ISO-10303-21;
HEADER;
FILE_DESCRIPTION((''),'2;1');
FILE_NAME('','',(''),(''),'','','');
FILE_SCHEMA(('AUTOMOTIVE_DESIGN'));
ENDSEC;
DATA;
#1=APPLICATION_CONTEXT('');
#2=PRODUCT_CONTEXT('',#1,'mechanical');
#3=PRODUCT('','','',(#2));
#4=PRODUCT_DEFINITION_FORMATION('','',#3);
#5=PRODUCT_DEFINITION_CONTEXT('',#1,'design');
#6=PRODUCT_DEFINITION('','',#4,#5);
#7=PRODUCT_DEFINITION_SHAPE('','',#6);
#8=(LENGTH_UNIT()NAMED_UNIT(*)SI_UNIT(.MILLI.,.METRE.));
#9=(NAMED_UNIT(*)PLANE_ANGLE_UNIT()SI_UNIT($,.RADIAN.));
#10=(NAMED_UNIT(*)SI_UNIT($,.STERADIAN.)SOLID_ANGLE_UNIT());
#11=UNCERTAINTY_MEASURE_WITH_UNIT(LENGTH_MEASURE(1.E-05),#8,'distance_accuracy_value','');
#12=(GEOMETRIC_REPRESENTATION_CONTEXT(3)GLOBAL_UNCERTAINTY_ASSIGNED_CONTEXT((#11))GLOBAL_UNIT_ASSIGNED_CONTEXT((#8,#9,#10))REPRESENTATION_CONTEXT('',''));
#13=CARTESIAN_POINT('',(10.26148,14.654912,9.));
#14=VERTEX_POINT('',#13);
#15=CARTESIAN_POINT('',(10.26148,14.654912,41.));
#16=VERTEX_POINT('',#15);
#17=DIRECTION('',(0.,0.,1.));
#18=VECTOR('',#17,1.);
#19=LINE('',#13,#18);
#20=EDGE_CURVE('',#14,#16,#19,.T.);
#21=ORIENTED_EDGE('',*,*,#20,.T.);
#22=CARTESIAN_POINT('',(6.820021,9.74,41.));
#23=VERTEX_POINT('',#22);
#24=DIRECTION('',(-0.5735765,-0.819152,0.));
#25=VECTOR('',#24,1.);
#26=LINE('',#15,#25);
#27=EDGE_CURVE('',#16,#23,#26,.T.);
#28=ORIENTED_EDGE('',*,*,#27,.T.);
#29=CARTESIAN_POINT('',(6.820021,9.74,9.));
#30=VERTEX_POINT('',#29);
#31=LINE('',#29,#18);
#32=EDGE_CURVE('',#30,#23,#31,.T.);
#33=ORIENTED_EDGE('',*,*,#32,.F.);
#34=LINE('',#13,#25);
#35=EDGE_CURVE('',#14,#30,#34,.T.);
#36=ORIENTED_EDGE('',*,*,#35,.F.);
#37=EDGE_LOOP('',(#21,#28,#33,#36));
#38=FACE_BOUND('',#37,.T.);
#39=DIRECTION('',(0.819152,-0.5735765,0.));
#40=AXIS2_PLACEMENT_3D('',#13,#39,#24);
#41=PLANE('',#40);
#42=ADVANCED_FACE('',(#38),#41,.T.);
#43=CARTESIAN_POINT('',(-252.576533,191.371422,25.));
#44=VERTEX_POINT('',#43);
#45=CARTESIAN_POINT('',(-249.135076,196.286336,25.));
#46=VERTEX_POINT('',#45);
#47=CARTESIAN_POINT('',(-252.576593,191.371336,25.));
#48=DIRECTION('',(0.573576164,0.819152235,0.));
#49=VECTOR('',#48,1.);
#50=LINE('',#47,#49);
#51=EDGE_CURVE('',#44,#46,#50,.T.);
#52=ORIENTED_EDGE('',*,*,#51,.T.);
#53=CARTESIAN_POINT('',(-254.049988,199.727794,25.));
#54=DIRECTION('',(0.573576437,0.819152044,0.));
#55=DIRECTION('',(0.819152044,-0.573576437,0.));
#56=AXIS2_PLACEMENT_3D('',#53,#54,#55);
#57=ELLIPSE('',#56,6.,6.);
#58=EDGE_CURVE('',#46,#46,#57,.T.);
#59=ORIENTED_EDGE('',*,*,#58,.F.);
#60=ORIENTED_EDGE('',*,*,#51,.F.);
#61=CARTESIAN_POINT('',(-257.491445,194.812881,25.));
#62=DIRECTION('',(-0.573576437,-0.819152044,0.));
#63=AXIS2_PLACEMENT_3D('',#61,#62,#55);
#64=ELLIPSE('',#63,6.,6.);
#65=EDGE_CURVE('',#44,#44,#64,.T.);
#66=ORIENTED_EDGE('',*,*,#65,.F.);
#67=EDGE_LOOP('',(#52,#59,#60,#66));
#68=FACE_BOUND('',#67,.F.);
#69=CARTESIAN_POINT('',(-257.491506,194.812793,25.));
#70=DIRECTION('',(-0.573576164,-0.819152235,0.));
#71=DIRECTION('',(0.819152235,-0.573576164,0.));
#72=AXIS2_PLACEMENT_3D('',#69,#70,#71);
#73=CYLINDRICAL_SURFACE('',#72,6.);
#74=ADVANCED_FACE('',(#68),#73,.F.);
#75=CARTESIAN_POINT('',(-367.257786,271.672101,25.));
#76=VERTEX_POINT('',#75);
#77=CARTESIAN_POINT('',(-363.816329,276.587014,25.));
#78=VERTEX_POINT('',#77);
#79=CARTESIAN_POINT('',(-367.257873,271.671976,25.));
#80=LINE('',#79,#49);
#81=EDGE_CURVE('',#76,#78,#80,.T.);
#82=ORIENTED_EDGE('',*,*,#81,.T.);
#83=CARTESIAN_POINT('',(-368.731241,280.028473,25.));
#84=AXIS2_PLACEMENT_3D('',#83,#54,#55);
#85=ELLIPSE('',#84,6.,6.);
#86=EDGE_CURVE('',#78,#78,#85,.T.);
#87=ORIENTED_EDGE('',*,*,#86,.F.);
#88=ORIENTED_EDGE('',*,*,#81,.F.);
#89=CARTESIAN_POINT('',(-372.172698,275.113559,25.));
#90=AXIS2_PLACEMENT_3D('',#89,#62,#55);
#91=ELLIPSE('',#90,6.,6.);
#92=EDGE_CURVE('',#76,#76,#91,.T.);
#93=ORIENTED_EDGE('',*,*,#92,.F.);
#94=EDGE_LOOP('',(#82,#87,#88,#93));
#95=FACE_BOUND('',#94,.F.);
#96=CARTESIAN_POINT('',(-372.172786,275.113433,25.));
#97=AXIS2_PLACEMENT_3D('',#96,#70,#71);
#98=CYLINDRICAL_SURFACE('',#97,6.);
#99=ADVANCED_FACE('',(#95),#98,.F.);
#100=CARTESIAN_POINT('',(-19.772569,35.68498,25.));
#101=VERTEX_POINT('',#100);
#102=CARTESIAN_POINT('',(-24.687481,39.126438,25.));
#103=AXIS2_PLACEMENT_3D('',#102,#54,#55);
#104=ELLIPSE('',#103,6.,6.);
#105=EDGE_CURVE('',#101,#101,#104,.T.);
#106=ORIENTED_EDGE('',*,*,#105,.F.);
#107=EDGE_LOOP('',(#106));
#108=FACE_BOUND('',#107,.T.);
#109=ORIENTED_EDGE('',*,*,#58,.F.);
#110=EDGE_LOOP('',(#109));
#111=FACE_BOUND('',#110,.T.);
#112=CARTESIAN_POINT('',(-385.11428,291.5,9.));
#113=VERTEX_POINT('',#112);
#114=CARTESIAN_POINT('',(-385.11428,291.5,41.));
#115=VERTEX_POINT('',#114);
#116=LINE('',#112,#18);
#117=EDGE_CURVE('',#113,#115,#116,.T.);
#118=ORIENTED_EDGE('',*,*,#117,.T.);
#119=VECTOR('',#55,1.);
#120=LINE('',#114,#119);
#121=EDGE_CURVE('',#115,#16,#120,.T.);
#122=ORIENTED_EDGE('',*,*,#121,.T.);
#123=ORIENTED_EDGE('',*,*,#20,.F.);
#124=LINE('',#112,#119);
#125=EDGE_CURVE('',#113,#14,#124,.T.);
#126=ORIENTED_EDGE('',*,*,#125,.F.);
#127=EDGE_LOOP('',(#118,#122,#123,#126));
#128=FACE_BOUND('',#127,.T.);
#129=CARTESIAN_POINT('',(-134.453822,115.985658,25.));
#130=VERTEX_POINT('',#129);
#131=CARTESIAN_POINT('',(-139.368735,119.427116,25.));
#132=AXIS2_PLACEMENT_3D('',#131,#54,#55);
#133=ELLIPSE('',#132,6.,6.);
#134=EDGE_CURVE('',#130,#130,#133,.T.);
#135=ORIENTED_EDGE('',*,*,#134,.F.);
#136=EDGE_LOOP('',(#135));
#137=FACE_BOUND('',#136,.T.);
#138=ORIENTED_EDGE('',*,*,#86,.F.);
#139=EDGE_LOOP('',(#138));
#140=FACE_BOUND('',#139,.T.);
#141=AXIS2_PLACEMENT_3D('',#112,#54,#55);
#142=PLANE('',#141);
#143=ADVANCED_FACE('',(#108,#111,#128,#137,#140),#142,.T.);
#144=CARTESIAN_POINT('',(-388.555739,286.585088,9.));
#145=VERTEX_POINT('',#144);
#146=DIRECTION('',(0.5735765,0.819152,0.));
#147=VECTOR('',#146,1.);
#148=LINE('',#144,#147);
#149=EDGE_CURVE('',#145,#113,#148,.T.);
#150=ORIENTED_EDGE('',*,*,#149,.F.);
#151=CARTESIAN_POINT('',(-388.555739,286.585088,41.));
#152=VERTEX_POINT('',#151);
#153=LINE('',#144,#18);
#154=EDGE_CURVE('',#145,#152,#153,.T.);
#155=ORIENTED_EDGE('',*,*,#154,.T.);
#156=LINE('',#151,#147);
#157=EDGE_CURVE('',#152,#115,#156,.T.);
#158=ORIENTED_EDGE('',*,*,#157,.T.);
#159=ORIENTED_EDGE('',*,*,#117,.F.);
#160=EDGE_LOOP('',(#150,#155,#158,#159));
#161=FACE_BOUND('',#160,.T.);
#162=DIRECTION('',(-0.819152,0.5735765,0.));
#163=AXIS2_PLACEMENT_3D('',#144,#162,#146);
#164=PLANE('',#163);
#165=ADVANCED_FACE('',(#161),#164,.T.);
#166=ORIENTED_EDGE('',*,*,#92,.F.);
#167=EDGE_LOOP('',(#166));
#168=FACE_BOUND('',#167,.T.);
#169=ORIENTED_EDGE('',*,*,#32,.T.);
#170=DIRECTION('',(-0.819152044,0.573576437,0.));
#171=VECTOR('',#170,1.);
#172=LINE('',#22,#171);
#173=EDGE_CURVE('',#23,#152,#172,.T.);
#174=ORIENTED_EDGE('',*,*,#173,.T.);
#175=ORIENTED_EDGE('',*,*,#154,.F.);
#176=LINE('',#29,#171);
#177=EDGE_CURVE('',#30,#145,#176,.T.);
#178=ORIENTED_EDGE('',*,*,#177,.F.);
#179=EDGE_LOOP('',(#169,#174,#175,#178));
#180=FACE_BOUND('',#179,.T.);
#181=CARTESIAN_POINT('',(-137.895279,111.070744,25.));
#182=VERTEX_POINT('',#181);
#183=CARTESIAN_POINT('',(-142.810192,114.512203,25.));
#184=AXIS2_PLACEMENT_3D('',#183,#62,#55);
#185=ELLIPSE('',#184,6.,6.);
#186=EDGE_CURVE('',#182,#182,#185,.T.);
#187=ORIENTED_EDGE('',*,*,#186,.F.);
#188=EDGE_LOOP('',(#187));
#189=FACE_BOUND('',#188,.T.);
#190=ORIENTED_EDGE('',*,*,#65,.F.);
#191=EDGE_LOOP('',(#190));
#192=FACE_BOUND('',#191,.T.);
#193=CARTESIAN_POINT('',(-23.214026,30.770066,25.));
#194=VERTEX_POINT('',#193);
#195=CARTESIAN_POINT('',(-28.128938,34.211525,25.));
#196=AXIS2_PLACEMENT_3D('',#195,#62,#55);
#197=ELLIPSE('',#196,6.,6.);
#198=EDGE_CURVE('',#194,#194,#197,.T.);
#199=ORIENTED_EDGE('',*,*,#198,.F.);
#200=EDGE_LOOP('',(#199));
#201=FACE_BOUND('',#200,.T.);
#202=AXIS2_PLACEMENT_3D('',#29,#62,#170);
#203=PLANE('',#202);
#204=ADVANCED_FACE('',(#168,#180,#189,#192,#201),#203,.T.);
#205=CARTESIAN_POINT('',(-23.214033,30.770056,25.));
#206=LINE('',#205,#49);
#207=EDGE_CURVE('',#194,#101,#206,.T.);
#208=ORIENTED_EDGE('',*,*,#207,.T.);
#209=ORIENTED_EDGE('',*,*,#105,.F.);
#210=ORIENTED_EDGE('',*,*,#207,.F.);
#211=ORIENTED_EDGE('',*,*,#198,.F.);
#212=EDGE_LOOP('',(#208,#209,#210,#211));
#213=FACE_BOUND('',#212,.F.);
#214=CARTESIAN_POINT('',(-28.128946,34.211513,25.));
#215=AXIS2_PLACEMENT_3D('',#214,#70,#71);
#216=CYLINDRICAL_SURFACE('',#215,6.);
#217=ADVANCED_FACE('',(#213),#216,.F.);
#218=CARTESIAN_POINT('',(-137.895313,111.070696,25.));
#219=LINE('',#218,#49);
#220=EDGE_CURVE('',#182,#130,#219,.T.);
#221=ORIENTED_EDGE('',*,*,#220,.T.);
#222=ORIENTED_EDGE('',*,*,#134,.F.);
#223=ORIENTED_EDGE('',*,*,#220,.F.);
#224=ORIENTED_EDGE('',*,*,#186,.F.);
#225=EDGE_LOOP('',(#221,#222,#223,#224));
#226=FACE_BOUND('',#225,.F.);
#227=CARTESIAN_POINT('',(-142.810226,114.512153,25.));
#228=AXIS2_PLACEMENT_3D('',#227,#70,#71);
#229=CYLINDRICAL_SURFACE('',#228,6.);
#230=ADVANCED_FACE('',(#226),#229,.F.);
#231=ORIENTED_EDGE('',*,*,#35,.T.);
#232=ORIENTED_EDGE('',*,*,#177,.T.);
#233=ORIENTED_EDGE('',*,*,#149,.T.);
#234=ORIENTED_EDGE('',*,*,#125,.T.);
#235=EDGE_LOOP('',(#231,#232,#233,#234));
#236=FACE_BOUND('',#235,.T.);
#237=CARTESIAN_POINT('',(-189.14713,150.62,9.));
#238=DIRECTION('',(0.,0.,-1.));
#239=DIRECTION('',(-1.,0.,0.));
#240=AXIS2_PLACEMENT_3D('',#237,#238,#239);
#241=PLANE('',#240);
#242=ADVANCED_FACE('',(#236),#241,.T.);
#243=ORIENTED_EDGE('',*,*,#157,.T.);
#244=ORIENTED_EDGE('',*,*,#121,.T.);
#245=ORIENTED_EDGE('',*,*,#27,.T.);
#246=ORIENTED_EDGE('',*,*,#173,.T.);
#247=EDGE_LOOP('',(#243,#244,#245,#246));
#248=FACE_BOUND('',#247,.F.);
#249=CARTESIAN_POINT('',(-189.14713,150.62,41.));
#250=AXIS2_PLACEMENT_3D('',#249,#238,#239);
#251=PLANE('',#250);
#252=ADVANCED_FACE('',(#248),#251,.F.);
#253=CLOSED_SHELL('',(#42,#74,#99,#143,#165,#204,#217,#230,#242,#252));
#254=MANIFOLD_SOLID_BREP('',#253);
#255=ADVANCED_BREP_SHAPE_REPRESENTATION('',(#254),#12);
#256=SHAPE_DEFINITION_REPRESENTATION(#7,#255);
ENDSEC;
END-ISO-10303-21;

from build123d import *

# Parameters (mm, degrees)
PAD006_DEPTH           = 32
SKETCH014_R            = 6
POCKET004_DEPTH        = 232.77922
LINEARPATTERN002_COUNT = 4
LINEARPATTERN002_PITCH = 140


with BuildPart() as part:
    # Sketch013 → Pad006 (new body)
    with BuildSketch(Plane.XY):
        Polygon((-385.11428, 291.5), (10.26148, 14.654912), (6.820021, 9.74), (-388.555739, 286.585088), align=None)
    extrude(amount=PAD006_DEPTH)

    # Sketch014 (on Face3 of Pad006) → Pocket004 (cut, through all)
    with BuildSketch(Plane(origin=(6.820021, 9.74, 0), x_dir=(0.819152, -0.573576, 0), z_dir=(-0.573576, -0.819152, 0))):
        with Locations((-462.664681, 16)):
            Circle(SKETCH014_R)
    pocket004 = extrude(amount=-POCKET004_DEPTH, mode=Mode.SUBTRACT)

    # LinearPattern002: Pocket004 ×4
    with Locations(*[Vector(0.819152, -0.573576, 0) * (i * LINEARPATTERN002_PITCH) for i in range(1, LINEARPATTERN002_COUNT)]):
        add(pocket004, mode=Mode.SUBTRACT)


with BuildPart() as part_1:
    # Body005 placement: moved
    add(part.part.moved(Location((0, 0, 9))))


solid = part_1.part
